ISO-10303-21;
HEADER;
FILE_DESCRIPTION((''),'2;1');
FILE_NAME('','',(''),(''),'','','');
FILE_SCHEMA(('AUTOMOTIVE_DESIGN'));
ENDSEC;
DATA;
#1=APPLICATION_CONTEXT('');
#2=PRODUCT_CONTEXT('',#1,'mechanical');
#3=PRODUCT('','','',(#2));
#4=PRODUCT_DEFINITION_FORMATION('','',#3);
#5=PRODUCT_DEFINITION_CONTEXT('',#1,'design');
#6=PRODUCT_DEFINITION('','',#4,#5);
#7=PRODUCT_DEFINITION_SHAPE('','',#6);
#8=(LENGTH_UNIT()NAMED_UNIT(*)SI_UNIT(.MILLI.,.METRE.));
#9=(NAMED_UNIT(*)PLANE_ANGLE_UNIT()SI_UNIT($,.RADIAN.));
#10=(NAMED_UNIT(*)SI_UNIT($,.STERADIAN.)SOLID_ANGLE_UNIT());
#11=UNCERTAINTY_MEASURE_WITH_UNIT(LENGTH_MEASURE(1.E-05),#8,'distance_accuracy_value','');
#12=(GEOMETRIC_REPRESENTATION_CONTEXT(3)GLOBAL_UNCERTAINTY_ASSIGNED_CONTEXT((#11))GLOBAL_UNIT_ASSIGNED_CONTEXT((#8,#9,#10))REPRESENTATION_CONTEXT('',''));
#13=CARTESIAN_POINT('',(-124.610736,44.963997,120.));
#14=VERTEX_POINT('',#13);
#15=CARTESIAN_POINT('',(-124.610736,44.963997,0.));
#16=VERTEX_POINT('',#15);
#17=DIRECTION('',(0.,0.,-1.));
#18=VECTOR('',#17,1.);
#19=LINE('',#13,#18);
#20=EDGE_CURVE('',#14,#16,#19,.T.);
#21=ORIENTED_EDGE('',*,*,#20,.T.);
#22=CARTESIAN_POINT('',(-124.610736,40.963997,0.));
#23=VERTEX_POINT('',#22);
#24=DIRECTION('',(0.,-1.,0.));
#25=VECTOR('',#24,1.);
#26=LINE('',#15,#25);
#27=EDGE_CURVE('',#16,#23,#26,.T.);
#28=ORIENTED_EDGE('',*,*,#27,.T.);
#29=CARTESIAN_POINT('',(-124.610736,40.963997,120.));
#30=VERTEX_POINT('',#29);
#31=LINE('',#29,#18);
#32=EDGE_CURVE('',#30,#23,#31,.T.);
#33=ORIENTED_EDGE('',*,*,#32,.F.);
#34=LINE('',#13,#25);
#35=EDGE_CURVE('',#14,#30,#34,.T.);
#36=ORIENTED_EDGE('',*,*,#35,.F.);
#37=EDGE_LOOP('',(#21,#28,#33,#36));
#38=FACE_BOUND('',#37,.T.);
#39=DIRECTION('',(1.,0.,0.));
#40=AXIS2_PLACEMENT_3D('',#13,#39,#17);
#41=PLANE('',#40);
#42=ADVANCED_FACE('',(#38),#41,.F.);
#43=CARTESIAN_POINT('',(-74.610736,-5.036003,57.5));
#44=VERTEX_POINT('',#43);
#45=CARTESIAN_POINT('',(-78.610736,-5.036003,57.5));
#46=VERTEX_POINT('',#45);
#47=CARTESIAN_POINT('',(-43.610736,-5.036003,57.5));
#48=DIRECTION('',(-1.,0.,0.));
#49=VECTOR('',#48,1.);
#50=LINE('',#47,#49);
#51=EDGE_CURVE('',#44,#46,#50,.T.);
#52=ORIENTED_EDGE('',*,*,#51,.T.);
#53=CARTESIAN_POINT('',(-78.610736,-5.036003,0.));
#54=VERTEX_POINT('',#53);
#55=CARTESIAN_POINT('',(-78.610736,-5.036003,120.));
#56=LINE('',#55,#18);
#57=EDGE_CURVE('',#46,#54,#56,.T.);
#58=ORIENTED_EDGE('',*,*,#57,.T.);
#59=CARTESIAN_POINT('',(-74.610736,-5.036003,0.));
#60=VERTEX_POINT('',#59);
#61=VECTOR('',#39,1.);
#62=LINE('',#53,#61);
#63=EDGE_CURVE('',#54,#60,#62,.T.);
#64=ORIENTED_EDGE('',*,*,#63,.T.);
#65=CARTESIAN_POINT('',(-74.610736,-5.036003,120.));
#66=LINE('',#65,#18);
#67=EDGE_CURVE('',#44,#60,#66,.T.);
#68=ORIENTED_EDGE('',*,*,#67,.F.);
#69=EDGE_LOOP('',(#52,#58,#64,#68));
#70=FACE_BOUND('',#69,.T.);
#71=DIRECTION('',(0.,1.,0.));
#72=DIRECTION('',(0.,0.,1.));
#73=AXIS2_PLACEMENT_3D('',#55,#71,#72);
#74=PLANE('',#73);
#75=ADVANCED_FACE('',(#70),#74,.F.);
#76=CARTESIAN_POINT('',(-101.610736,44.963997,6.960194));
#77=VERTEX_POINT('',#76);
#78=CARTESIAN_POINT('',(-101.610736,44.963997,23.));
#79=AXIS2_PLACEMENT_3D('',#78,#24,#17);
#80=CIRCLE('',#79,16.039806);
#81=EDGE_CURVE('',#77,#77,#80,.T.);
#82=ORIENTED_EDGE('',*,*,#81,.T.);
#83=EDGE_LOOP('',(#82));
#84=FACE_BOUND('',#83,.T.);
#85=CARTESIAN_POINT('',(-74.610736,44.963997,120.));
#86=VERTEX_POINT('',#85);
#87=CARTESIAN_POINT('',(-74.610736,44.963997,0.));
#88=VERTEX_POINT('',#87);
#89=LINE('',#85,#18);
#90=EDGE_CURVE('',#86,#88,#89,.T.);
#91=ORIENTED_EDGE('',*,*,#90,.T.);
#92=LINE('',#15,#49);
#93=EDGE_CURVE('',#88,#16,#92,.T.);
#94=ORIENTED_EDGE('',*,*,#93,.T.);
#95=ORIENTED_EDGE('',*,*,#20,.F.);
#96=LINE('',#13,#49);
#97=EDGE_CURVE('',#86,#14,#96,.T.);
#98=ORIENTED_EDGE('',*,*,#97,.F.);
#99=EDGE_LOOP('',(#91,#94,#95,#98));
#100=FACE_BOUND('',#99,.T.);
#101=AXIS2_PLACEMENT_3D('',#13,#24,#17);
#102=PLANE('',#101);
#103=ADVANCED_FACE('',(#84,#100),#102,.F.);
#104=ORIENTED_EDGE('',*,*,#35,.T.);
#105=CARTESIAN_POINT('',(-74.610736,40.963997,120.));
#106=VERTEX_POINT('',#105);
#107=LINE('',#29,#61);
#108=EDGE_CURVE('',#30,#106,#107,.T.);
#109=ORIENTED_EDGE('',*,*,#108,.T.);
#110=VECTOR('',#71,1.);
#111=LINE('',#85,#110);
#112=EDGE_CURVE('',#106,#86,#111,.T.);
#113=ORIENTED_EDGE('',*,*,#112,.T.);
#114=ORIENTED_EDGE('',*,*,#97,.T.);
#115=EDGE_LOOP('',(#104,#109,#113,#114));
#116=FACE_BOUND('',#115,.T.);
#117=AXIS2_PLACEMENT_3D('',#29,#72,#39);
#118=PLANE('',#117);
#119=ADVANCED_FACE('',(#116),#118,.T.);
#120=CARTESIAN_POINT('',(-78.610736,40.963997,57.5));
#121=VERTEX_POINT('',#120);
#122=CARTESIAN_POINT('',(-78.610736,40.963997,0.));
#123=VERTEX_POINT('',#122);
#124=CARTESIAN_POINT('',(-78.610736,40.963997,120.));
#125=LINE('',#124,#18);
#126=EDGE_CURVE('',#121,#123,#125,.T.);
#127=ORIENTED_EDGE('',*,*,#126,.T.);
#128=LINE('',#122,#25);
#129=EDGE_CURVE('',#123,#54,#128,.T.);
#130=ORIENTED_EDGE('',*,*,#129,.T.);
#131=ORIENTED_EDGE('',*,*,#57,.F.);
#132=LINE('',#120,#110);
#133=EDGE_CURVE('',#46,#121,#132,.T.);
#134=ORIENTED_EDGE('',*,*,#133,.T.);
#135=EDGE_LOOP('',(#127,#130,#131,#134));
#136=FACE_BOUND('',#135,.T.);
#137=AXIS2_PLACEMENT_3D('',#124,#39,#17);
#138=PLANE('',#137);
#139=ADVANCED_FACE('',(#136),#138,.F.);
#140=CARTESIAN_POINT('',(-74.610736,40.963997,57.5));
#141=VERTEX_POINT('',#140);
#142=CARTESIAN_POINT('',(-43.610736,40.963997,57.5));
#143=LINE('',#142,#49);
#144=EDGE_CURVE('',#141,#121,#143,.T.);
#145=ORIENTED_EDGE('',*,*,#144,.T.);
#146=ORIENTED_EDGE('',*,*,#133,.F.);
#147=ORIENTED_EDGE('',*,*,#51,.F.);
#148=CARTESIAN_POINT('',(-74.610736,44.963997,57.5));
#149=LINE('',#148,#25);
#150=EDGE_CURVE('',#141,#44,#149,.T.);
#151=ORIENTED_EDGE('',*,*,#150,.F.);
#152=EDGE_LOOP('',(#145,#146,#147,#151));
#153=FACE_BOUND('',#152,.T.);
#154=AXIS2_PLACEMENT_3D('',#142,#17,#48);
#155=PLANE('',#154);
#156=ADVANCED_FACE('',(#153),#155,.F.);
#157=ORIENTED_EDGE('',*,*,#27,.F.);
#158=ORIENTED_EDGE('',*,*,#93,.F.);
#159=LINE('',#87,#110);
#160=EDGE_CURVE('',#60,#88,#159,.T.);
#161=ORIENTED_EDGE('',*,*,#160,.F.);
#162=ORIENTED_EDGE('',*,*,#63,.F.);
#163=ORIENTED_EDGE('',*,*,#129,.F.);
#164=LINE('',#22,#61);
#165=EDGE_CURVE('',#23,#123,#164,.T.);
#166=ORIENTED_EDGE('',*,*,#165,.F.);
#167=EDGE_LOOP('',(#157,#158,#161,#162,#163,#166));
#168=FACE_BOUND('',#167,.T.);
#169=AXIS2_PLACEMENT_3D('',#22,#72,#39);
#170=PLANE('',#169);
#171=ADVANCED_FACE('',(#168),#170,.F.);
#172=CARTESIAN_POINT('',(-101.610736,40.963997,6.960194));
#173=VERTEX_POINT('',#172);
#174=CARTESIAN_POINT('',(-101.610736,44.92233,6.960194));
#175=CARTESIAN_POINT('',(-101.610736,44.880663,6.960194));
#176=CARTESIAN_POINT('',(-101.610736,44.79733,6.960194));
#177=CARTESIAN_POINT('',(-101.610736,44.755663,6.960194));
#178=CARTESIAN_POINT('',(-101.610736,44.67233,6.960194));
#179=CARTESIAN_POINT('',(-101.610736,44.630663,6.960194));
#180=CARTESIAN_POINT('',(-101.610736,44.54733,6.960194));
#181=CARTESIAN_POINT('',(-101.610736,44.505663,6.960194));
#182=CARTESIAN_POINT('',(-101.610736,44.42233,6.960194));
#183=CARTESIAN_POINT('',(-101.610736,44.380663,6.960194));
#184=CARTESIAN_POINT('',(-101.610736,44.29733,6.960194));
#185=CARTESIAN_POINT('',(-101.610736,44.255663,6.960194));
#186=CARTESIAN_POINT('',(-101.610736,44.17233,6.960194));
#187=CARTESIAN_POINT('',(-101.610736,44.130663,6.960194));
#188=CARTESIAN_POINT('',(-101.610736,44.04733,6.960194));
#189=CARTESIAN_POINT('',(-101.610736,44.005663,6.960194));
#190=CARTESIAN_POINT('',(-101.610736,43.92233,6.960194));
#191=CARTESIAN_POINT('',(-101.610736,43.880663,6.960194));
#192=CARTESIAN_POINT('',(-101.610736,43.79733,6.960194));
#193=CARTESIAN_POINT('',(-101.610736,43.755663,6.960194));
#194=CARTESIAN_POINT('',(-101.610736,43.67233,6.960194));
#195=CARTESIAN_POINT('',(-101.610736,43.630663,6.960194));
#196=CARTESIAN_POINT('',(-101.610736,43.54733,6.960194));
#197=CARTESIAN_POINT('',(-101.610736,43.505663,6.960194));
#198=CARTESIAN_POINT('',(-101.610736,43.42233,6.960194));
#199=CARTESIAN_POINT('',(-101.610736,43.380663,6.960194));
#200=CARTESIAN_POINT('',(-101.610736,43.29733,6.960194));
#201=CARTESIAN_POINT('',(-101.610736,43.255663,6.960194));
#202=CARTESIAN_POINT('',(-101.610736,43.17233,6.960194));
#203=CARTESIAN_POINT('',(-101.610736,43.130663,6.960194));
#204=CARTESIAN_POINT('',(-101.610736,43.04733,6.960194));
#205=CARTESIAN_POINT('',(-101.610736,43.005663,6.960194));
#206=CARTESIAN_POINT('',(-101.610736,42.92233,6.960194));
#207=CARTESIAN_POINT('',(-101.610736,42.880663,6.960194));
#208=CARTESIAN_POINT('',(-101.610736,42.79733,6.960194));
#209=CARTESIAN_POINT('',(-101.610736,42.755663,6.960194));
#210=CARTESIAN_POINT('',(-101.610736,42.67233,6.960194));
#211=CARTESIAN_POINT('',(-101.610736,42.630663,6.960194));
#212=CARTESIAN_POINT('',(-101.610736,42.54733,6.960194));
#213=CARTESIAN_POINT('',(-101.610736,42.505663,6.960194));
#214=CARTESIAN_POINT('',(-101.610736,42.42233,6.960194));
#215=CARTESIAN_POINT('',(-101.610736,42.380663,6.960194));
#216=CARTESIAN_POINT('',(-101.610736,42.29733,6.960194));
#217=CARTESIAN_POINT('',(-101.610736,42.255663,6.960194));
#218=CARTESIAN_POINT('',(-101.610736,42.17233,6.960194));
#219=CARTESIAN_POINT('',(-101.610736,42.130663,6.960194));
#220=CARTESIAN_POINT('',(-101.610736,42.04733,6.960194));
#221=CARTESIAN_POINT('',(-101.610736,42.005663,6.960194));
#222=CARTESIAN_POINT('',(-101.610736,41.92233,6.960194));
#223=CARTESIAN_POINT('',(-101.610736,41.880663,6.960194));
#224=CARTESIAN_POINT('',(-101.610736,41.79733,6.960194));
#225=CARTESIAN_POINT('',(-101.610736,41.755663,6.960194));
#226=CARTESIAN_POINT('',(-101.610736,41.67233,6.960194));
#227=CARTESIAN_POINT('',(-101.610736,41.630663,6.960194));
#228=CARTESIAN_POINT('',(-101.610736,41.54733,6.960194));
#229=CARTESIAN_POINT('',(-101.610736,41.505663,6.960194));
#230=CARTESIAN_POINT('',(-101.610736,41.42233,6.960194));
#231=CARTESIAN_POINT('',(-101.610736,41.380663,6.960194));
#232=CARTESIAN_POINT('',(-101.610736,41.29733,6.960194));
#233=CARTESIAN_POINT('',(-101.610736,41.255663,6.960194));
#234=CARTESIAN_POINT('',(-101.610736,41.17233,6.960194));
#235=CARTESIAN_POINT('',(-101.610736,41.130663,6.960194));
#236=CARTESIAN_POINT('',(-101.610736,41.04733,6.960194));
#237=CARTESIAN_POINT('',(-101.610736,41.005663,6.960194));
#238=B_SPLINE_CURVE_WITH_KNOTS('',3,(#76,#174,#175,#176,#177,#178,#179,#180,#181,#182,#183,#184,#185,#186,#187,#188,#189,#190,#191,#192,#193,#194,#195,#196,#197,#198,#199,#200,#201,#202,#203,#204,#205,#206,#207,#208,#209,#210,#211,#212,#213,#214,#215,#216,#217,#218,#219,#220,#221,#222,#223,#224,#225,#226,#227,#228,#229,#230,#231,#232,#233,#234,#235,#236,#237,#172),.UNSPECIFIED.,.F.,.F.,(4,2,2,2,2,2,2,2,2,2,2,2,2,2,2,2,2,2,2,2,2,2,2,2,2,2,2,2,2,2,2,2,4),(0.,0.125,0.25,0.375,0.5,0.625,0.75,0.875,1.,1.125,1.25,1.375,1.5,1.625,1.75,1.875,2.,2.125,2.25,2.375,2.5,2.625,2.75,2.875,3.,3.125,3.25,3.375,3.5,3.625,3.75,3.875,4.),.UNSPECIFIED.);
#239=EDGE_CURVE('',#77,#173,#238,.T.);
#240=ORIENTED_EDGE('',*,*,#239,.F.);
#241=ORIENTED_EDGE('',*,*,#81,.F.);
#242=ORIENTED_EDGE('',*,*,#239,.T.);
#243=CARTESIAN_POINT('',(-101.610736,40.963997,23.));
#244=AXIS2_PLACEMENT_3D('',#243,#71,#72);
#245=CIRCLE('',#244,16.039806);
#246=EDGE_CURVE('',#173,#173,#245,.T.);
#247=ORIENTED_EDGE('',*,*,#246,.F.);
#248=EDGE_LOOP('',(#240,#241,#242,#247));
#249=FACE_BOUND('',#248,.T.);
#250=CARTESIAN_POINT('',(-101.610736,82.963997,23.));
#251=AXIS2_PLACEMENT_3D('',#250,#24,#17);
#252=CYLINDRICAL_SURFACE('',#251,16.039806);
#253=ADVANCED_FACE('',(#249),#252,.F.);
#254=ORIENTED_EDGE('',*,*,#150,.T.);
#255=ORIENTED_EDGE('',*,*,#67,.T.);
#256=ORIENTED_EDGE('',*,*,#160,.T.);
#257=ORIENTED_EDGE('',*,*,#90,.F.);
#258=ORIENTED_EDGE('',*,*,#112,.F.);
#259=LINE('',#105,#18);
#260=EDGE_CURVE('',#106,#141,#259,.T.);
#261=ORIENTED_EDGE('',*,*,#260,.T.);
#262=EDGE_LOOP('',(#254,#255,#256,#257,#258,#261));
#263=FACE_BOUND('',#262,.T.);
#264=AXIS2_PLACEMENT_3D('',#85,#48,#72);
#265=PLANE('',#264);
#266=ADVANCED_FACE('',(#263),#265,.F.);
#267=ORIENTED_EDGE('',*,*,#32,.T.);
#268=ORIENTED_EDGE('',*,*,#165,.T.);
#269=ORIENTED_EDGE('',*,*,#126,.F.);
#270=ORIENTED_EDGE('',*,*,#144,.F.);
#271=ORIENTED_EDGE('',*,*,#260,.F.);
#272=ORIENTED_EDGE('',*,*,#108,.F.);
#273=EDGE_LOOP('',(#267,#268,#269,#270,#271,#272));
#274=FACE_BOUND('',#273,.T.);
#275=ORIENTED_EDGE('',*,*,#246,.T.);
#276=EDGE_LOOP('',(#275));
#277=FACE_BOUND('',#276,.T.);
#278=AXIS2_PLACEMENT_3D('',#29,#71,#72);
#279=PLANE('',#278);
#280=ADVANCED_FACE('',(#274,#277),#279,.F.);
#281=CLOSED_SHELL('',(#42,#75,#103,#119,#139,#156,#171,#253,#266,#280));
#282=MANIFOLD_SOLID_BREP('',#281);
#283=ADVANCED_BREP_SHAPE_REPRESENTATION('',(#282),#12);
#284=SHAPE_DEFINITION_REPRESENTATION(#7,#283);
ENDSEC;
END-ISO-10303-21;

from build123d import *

# Parameters (mm, degrees)
SALIENTE_EXTRUIR1_DEPTH    = 120
CORTAR_EXTRUIR5_DEPTH      = 56
CORTAR_EXTRUIR5_DEPTH_BACK = 35
CROQUIS3_W                 = 62.5
CROQUIS3_H                 = 46
CORTAR_EXTRUIR6_DEPTH      = 40
CORTAR_EXTRUIR6_DEPTH_BACK = 42
CROQUIS4_R                 = 16.039805737


with BuildPart() as part:
    # Croquis1 → Saliente-Extruir1 (new body)
    with BuildSketch(Plane.XY):
        Polygon((-124.610735746, 44.963996627), (-74.610735746, 44.963996627), (-74.610735746, -5.036003373), (-78.610735746, -5.036003373), (-78.610735746, 40.963996627), (-124.610735746, 40.963996627), align=None)
    extrude(amount=SALIENTE_EXTRUIR1_DEPTH)

    # Croquis3 → Cortar-Extruir5 (cut, two sides: drawn at the far end of the back side and taken through both)
    with BuildSketch(Plane.ZY.offset(78.610735746).offset(-CORTAR_EXTRUIR5_DEPTH_BACK)):
        with Locations((88.75, 17.963996627)):
            Rectangle(CROQUIS3_W, CROQUIS3_H)
    extrude(amount=CORTAR_EXTRUIR5_DEPTH + CORTAR_EXTRUIR5_DEPTH_BACK, mode=Mode.SUBTRACT)

    # Croquis4 → Cortar-Extruir6 (cut, two sides: drawn at the far end of the back side and taken through both)
    with BuildSketch(Plane.XZ.offset(-40.963996627).offset(-CORTAR_EXTRUIR6_DEPTH_BACK)):
        with Locations(Location((-101.610735746, 23, 0), (0, 0, 270))):
            Circle(CROQUIS4_R)
    extrude(amount=CORTAR_EXTRUIR6_DEPTH + CORTAR_EXTRUIR6_DEPTH_BACK, mode=Mode.SUBTRACT)


solid = part.part
